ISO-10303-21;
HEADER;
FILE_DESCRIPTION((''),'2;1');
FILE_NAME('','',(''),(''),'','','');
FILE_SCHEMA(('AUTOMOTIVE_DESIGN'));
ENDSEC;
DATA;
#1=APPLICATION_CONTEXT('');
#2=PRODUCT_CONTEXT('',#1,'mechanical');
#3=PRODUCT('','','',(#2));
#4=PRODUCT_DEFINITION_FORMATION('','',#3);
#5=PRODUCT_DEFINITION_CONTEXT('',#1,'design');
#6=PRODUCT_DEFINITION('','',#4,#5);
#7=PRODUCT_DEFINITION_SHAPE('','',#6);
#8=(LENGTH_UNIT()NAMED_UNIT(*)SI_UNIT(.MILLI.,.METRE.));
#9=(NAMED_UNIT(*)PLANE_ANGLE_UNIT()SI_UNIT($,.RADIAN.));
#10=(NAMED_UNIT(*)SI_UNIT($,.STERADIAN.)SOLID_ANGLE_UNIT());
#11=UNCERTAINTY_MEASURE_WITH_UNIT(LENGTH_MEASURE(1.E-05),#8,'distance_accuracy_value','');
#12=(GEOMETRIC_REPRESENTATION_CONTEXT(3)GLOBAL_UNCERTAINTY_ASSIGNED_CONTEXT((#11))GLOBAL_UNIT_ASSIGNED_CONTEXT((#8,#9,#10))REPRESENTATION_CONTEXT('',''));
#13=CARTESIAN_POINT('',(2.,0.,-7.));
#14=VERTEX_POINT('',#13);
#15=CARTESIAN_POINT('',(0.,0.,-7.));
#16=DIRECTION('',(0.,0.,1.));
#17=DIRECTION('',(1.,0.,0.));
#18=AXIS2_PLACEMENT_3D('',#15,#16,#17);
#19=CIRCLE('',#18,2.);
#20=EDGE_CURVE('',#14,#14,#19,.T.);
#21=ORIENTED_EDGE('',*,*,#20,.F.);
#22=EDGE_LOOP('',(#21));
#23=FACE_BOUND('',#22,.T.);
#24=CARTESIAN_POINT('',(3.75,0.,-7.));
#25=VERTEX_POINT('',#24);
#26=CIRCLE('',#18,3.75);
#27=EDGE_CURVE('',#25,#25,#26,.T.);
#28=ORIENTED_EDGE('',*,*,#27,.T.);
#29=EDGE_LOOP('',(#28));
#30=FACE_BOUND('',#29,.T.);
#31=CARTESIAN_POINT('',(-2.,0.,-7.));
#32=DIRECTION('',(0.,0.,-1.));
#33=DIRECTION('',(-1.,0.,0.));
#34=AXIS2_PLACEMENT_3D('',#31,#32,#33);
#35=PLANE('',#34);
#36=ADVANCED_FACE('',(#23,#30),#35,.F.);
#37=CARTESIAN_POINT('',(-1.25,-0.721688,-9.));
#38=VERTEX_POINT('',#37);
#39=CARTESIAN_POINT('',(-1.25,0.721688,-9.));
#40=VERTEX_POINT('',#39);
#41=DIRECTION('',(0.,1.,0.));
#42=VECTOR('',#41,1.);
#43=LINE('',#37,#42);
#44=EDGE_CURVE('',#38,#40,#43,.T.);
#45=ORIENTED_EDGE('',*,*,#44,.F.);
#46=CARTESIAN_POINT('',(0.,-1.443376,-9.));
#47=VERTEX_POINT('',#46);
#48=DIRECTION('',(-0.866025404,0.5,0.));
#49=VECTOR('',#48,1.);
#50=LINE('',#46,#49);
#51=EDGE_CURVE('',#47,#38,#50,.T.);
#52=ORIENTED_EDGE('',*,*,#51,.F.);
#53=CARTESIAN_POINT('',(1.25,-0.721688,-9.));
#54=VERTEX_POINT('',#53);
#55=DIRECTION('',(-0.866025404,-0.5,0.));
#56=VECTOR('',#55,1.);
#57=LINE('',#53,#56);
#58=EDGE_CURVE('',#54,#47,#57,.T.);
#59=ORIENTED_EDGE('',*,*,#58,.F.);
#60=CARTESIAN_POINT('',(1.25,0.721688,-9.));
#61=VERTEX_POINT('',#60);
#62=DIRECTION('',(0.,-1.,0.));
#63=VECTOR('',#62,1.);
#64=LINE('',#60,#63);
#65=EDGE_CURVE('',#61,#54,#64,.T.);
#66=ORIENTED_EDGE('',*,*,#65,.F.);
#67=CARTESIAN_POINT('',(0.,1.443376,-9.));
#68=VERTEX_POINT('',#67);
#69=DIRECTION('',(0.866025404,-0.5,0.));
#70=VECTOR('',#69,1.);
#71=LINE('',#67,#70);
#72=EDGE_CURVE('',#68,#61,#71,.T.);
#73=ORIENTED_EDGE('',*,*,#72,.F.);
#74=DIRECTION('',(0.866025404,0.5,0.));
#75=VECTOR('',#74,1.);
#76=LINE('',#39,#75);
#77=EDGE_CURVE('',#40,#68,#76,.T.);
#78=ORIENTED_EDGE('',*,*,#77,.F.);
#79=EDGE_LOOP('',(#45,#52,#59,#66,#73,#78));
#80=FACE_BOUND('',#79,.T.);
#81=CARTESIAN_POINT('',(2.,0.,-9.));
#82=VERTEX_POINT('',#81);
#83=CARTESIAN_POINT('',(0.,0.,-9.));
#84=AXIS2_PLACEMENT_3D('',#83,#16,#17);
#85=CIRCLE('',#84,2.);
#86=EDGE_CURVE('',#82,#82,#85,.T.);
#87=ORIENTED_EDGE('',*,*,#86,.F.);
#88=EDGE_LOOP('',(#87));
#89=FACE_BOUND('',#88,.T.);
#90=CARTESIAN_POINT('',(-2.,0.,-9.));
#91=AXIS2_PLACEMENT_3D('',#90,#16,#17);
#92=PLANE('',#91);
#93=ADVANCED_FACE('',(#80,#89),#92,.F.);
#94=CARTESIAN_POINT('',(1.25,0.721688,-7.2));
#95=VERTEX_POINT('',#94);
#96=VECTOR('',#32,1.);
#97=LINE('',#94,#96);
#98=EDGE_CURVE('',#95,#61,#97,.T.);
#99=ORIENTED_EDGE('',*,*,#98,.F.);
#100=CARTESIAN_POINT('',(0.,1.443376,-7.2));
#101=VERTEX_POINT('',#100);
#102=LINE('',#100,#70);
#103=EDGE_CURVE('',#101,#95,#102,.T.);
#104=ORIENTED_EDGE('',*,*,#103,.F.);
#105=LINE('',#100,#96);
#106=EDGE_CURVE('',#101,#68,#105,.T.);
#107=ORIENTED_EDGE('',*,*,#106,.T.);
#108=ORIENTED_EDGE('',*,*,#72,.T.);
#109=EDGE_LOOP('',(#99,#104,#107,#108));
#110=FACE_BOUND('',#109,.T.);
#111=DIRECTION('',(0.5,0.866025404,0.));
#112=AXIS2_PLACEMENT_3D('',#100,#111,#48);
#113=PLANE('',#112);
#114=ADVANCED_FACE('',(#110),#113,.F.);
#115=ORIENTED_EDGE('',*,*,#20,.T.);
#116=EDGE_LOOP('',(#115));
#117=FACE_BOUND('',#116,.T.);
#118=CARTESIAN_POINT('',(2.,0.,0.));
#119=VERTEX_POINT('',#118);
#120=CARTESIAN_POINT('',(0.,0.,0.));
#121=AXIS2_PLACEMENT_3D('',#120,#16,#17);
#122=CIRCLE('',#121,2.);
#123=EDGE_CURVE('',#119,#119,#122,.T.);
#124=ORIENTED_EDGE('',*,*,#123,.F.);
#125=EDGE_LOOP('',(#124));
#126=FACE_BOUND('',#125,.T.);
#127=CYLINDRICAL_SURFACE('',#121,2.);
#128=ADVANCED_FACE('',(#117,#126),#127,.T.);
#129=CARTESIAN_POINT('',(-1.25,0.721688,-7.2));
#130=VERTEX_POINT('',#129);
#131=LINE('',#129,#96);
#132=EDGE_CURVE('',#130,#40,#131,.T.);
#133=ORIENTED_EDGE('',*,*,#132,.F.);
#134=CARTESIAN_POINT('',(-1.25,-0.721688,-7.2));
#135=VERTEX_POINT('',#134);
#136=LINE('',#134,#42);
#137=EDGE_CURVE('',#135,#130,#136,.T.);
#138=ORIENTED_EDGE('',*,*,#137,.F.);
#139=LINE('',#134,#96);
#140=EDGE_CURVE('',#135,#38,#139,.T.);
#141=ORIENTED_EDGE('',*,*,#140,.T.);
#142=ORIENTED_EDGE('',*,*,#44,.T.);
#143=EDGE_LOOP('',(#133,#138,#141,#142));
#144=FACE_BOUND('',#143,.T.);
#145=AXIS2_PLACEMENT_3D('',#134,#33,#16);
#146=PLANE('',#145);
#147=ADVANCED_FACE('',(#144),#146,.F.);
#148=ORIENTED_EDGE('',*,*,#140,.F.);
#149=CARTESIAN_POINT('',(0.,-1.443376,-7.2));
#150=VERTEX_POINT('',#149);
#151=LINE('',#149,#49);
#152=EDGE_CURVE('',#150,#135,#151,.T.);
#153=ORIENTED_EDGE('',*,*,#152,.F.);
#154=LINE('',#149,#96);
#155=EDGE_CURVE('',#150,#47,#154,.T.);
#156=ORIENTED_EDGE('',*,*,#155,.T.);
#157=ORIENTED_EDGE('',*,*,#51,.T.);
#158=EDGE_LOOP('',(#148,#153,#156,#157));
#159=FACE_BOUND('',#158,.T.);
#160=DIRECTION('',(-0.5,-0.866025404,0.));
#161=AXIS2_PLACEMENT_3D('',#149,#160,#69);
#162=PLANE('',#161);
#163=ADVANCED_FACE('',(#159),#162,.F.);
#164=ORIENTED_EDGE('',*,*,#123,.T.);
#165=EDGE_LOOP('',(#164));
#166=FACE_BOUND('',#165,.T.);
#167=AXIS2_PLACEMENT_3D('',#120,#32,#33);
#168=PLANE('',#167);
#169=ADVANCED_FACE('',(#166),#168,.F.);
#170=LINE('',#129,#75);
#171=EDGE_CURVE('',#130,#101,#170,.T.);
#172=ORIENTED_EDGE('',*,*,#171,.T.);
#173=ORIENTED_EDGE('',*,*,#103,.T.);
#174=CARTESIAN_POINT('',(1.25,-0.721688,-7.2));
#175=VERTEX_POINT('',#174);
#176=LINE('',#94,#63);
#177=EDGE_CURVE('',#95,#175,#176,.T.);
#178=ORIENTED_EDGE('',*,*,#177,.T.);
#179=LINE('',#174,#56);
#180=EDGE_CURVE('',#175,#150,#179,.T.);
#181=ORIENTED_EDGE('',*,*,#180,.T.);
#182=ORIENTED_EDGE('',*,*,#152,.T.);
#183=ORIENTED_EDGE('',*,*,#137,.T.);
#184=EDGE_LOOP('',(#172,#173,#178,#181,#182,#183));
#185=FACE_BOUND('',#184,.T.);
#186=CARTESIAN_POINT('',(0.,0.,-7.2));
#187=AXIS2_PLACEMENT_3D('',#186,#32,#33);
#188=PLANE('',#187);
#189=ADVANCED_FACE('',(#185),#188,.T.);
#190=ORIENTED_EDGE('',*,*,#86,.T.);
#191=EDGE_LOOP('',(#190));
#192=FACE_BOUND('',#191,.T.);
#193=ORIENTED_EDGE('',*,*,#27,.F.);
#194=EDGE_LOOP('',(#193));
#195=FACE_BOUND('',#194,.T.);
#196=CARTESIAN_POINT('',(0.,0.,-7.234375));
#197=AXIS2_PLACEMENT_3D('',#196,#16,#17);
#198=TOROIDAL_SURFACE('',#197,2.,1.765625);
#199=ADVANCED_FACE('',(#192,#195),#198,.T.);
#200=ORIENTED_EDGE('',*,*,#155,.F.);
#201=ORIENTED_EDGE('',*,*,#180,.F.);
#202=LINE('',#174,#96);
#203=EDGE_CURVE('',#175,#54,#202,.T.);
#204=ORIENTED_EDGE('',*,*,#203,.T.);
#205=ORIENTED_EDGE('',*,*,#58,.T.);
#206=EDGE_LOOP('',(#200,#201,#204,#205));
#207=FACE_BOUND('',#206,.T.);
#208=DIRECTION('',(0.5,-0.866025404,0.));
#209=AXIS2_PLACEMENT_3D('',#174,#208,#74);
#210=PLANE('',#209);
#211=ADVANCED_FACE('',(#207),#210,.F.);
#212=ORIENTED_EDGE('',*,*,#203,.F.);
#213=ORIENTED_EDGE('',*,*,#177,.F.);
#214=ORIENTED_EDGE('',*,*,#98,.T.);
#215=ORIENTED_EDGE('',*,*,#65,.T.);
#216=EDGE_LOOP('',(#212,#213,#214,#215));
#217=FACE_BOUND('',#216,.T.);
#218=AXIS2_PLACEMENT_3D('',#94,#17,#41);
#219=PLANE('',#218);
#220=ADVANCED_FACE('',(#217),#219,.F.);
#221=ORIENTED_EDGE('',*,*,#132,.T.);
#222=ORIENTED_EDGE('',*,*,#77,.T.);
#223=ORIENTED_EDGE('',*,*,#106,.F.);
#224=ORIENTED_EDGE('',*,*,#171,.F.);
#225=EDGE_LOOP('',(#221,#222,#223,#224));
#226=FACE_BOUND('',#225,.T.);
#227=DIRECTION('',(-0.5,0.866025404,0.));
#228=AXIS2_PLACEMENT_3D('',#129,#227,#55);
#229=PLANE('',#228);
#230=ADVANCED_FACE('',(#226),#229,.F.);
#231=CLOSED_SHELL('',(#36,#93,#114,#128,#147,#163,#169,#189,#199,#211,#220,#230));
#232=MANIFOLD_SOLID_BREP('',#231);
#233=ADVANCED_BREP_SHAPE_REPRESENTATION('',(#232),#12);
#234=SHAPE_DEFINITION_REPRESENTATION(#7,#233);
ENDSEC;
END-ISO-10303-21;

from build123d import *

# Parameters (mm, degrees)
CUT_EXTRUDE1_DEPTH = 1.8


with BuildPart() as part:
    # Sketch1 → Revolve1 (revolve)
    with BuildSketch(Plane(origin=(0, 0, 0), x_dir=(1, 0, 0), z_dir=(0, 1, 0))):
        with BuildLine():
            Line((0, 0), (-2, 0))
            Line((-2, 0), (-2, 7))
            Line((-2, 7), (-3.75, 7))
            ThreePointArc((-3.75, 7), (-3.328768227, 8.397047198), (-2, 9))
            Line((-2, 9), (0, 9))
            Line((0, 9), (0, 0))
        make_face()
    revolve(axis=Axis((0, 0, 0), (0, 0, -1)))

    # Sketch2 → Cut-Extrude1 (cut)
    with BuildSketch(Plane(origin=(0, 0, -9), x_dir=(-1, 0, 0), z_dir=(0, 0, -1))):
        Polygon((0, -1.443375673), (1.25, -0.721687836), (1.25, 0.721687836), (0, 1.443375673), (-1.25, 0.721687836), (-1.25, -0.721687836), align=None)
    extrude(amount=-CUT_EXTRUDE1_DEPTH, mode=Mode.SUBTRACT)


solid = part.part
